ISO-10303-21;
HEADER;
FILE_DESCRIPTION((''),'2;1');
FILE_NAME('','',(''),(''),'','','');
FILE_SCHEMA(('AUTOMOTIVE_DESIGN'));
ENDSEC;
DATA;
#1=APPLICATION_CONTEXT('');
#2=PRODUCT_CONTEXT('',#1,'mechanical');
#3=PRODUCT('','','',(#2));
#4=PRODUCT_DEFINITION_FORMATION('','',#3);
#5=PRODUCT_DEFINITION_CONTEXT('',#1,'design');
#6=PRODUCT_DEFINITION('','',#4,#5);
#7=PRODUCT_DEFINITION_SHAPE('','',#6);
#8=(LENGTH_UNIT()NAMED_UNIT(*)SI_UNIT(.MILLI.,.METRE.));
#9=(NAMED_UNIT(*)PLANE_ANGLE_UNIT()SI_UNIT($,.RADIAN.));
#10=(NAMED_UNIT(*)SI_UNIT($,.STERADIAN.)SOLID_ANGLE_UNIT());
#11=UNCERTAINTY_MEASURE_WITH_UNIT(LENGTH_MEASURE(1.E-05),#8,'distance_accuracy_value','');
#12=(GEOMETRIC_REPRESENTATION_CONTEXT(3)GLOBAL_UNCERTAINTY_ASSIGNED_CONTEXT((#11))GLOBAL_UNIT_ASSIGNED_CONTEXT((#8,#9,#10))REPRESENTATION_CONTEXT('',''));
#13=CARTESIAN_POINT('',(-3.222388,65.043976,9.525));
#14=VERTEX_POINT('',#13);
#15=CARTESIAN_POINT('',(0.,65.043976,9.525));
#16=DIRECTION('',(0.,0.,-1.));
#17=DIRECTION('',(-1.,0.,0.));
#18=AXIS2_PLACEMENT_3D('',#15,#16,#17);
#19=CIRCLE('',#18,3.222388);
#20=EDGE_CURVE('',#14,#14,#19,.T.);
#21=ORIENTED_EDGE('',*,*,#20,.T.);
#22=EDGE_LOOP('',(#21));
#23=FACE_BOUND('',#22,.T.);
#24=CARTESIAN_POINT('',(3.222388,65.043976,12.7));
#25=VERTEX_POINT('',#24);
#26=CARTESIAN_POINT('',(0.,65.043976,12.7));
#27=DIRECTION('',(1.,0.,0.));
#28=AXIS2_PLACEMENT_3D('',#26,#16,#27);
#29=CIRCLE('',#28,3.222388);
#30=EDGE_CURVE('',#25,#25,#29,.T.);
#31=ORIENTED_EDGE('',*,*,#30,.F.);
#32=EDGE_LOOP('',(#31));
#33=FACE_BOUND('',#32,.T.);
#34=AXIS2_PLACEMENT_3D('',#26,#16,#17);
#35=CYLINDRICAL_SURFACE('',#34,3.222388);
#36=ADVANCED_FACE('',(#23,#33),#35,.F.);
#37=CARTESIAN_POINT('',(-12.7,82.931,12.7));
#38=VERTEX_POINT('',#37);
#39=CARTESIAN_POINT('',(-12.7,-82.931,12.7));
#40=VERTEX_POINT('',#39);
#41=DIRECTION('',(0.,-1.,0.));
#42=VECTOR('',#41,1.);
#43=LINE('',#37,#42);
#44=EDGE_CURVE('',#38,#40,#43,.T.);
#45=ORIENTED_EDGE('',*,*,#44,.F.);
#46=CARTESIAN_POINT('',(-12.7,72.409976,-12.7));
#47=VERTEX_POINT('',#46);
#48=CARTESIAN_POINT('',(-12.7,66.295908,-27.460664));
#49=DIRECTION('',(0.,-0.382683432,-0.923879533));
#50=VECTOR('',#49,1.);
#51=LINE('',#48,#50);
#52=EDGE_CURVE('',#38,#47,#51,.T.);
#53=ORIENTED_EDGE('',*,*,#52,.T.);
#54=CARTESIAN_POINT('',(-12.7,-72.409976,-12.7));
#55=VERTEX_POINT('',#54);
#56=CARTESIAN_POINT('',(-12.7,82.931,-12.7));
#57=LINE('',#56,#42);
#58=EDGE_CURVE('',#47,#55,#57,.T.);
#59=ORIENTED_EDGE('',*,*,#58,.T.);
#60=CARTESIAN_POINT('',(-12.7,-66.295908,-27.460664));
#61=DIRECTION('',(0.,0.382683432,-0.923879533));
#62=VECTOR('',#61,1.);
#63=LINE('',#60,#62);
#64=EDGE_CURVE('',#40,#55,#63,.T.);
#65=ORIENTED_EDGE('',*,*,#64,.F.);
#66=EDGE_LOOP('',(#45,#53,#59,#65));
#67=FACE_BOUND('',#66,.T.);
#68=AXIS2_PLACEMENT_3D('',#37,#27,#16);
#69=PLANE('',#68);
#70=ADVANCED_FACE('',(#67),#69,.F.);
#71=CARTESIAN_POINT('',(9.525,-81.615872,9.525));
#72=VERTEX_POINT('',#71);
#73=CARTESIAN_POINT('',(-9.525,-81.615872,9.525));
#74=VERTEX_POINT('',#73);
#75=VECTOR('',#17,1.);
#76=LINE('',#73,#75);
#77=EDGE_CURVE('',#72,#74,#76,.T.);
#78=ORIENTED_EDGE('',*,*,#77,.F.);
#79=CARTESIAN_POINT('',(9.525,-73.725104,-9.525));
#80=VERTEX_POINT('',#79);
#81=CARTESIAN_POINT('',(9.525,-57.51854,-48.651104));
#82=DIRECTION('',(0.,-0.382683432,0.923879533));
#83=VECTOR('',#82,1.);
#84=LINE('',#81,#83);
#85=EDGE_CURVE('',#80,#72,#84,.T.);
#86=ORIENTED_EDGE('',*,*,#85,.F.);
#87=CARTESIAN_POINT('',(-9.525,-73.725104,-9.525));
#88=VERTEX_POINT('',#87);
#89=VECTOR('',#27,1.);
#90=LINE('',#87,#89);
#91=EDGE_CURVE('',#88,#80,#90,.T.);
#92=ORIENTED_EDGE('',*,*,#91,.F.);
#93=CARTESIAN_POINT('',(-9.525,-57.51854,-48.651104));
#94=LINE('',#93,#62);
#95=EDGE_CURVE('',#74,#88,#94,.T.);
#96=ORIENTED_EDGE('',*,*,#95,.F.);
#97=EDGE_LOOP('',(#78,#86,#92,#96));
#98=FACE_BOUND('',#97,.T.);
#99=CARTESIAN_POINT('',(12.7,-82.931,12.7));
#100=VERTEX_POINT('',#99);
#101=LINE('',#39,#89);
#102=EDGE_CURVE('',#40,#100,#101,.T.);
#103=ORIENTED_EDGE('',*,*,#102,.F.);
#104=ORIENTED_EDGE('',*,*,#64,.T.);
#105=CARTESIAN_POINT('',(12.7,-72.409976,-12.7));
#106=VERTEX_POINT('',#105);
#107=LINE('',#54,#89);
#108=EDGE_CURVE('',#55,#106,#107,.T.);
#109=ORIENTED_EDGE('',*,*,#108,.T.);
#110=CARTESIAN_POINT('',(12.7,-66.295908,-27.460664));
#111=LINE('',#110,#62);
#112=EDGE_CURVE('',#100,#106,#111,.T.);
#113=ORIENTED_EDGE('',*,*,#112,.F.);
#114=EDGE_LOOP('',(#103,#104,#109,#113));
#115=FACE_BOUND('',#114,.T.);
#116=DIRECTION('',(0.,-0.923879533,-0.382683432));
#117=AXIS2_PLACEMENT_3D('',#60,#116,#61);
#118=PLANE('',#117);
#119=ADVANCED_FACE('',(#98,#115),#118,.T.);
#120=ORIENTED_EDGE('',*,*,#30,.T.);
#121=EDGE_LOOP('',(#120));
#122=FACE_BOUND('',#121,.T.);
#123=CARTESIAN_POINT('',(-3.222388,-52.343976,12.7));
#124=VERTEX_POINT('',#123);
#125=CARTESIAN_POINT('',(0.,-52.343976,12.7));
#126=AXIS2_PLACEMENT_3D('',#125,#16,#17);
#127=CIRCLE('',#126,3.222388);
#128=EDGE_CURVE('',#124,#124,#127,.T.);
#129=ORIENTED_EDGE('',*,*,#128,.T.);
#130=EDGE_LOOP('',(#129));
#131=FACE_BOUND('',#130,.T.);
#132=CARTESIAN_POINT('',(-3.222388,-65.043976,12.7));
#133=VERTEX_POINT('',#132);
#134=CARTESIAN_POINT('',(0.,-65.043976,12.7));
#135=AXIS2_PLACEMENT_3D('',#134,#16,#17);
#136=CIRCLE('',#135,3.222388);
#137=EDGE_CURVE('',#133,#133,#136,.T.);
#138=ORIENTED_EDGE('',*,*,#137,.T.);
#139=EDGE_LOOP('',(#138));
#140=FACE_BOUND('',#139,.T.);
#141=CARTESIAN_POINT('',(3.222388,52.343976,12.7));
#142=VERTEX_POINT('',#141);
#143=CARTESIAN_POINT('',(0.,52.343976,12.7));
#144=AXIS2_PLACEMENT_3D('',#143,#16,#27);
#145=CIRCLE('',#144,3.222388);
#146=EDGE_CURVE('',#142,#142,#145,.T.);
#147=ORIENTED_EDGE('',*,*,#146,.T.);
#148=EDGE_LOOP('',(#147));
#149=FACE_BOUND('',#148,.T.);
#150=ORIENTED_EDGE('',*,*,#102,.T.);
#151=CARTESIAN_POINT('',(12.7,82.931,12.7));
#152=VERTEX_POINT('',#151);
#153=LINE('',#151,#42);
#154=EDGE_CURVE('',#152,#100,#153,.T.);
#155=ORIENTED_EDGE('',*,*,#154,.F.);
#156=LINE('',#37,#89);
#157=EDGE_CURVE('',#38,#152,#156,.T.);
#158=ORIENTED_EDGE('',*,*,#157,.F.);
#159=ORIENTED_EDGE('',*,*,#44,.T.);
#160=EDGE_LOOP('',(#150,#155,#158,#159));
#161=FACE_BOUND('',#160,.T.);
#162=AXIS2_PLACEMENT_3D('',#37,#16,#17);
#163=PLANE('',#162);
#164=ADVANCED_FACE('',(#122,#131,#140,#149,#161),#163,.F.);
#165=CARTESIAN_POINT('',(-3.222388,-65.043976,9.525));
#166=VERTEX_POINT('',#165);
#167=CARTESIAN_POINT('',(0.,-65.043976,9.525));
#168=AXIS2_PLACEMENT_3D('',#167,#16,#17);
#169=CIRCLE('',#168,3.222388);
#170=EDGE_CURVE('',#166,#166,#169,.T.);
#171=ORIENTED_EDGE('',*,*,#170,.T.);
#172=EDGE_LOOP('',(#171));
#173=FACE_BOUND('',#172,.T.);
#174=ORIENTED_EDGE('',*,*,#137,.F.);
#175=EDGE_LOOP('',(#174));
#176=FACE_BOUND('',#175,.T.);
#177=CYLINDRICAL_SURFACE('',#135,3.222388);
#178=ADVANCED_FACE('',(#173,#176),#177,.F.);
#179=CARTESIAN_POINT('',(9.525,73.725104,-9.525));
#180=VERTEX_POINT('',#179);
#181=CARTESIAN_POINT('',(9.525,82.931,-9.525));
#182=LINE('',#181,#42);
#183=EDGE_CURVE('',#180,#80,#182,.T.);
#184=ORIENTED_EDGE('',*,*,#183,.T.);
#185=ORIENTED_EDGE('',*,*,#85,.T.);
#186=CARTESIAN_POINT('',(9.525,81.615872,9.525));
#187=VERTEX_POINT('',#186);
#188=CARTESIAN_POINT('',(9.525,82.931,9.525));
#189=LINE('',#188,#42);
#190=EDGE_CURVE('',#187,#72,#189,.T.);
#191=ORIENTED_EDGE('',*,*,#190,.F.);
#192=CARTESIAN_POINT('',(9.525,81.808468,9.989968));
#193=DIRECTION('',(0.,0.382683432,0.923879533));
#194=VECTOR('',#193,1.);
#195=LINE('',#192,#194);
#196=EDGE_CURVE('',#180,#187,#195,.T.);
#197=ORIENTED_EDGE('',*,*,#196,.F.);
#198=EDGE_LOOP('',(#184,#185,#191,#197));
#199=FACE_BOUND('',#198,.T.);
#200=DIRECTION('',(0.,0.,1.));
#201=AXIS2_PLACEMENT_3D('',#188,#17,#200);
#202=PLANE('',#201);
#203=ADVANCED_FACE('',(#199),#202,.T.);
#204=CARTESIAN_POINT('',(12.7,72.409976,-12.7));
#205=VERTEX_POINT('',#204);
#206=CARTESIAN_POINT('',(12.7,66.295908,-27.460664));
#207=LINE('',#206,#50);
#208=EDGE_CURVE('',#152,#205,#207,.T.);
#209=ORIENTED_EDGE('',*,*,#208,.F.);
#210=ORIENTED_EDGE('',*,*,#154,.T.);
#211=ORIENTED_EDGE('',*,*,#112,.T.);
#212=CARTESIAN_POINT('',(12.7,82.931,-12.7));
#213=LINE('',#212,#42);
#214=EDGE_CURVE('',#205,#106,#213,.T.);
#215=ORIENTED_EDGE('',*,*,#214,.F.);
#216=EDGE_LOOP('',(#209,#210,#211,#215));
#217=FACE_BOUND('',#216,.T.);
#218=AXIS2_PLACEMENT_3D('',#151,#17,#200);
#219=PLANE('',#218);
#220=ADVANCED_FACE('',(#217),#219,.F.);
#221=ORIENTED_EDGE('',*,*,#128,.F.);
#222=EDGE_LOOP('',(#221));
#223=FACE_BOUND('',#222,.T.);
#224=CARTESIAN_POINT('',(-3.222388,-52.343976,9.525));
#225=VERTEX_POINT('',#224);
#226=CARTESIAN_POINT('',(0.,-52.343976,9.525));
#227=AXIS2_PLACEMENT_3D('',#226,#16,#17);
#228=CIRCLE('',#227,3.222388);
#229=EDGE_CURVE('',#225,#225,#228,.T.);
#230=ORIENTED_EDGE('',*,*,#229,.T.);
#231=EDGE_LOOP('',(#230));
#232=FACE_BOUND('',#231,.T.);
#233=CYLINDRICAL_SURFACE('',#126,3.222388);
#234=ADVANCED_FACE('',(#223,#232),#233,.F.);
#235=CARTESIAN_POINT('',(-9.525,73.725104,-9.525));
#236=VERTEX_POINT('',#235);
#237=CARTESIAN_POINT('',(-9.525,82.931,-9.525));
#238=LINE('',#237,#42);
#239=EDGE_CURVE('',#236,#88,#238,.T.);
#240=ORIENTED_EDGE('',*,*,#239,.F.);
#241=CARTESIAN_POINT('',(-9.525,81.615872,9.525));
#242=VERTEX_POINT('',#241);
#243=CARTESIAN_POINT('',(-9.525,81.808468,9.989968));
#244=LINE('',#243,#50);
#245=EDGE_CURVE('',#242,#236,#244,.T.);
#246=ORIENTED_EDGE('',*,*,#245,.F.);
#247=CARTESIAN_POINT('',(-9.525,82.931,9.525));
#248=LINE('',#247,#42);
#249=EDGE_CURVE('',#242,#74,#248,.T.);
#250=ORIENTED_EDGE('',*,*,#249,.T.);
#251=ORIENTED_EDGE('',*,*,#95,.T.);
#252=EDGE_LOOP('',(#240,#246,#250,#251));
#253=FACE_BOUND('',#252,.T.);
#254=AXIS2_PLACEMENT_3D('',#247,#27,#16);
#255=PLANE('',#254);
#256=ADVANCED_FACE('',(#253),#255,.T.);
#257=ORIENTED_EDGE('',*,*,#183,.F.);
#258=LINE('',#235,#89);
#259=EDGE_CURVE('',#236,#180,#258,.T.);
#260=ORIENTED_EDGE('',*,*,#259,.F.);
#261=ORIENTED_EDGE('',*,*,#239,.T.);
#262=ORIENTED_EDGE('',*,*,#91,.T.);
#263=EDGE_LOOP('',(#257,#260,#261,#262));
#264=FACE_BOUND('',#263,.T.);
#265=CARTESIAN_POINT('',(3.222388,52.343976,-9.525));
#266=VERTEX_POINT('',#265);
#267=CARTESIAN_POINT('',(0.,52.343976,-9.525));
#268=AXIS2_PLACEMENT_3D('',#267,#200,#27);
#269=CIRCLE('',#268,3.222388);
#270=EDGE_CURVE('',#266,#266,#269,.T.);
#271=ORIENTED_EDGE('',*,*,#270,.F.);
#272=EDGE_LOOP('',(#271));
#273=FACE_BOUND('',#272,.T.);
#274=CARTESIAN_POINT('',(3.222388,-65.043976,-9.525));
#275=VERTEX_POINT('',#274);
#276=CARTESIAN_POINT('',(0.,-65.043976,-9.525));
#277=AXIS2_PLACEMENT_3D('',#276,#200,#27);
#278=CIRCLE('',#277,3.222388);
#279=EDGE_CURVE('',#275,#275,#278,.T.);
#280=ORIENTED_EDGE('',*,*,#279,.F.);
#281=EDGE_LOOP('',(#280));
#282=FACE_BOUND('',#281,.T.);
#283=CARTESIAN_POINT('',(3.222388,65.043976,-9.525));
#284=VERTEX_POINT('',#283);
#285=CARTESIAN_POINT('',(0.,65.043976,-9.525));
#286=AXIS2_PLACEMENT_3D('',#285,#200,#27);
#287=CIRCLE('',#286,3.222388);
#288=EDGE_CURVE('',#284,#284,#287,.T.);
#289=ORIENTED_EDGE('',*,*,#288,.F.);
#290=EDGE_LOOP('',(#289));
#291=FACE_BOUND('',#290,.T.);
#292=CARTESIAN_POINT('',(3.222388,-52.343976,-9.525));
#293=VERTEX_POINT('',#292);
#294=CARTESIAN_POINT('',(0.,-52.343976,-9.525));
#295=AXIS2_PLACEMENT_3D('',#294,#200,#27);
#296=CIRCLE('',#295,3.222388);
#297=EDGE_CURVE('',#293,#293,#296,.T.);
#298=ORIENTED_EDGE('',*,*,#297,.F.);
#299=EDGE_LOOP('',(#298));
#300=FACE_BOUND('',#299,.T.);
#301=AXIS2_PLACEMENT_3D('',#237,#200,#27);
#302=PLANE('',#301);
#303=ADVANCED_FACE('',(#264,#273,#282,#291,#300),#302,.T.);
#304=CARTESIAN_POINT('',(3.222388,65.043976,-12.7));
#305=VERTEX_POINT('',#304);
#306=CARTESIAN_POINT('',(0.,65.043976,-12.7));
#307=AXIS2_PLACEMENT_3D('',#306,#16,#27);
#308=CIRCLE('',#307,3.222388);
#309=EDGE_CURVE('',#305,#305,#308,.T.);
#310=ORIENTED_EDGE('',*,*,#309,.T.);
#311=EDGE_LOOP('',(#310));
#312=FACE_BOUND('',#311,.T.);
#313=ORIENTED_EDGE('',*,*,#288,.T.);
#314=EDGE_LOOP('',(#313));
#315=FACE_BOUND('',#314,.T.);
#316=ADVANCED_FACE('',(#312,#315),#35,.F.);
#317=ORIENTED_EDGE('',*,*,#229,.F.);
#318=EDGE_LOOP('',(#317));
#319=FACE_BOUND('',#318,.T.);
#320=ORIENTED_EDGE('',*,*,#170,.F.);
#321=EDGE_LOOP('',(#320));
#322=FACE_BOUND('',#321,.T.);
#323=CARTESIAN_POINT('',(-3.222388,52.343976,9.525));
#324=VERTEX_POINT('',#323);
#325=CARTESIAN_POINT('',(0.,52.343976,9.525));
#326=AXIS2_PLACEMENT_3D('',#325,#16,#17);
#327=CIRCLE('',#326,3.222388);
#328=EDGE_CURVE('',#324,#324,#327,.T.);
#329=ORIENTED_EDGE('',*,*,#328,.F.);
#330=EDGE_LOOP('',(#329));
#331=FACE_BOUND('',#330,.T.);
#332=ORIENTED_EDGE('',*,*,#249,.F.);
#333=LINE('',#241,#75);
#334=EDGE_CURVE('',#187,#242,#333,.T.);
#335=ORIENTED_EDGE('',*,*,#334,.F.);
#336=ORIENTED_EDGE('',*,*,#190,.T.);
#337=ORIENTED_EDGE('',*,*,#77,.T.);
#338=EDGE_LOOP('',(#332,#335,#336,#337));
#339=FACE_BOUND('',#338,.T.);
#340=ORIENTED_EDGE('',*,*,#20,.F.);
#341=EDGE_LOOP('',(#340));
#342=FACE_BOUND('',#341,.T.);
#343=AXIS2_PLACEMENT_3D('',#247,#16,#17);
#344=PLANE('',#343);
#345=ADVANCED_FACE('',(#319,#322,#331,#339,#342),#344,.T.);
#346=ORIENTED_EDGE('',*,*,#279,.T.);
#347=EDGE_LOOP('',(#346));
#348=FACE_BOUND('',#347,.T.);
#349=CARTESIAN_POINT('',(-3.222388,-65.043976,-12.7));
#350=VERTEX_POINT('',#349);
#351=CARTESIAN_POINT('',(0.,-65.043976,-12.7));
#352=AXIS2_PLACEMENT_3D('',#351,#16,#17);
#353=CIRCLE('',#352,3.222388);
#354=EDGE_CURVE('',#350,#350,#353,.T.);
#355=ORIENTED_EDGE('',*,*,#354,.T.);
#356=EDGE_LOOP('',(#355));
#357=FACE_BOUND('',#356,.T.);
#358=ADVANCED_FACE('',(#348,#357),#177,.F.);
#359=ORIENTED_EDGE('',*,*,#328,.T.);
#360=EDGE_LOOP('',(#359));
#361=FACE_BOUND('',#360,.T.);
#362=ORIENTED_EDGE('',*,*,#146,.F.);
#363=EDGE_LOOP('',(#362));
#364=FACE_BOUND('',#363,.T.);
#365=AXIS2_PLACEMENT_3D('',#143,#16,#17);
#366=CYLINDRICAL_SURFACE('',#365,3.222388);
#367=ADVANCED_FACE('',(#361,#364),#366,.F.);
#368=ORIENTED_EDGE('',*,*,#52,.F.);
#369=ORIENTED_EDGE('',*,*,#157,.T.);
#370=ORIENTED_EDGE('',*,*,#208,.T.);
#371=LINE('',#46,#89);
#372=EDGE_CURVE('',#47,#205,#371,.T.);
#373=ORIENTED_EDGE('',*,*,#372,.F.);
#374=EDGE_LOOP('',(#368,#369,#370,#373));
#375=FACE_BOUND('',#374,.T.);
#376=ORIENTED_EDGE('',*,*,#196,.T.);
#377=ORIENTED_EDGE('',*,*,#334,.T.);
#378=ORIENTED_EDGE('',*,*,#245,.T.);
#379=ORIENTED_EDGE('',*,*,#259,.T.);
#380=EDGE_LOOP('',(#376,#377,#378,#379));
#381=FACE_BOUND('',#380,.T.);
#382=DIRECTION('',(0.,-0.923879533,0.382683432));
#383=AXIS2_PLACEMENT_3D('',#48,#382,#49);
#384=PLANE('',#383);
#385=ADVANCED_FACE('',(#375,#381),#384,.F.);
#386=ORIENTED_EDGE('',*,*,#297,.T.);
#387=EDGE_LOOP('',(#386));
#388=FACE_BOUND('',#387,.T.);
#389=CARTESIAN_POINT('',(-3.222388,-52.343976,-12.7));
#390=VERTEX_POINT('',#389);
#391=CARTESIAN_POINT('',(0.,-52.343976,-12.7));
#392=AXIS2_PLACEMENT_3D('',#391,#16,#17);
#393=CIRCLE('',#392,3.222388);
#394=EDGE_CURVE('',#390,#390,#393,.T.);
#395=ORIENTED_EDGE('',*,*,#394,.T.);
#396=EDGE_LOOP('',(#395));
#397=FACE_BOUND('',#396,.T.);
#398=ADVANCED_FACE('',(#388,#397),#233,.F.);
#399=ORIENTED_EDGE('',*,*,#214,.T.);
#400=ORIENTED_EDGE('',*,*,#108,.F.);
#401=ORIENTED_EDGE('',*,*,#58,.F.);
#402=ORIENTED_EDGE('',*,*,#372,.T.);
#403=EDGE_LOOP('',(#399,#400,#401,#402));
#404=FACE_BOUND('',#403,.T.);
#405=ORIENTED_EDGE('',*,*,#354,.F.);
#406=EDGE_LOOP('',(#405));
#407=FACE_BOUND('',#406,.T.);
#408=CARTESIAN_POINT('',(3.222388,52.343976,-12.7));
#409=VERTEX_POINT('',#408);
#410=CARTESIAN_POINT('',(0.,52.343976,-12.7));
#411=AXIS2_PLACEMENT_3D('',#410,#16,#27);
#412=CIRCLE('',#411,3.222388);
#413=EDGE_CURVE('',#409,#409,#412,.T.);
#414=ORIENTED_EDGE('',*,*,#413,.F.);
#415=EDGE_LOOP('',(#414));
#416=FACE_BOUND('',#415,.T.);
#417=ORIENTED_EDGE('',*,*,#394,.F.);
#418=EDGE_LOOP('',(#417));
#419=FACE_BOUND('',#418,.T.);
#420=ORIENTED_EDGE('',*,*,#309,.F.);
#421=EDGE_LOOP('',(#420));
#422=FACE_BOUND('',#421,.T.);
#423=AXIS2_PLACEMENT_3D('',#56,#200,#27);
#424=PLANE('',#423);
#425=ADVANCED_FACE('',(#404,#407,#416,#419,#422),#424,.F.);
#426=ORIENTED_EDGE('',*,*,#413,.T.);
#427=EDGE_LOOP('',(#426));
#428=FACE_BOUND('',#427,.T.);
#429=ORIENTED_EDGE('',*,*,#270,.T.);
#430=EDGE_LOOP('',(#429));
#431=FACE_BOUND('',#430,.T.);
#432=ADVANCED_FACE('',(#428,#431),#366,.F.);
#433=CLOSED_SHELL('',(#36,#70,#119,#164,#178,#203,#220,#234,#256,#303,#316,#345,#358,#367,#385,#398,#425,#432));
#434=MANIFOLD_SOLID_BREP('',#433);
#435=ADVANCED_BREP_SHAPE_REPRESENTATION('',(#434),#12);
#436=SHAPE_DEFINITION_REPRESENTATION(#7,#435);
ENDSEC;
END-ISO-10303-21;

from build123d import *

# Parameters (mm, degrees)
SKETCH1_W           = 25.4
SKETCH1_H           = 25.4
SKETCH1_W_2         = 19.05
SKETCH1_H_2         = 19.05
BOSS_EXTRUDE1_DEPTH = 82.931
CUT_EXTRUDE1_DEPTH  = 88.658432344
SKETCH3_R           = 3.22238806
CUT_EXTRUDE2_DEPTH  = 88.658432344


with BuildPart() as part:
    # Sketch1 → Boss-Extrude1 (new, symmetric)
    with BuildSketch(Plane(origin=(0, 0, 0), x_dir=(1, 0, 0), z_dir=(0, 1, 0))):
        Rectangle(SKETCH1_W, SKETCH1_H)
        Rectangle(SKETCH1_W_2, SKETCH1_H_2, mode=Mode.SUBTRACT)
    extrude(amount=BOSS_EXTRUDE1_DEPTH, both=True)

    # Sketch2 → Cut-Extrude1 (cut, through all)
    with BuildSketch(Plane(origin=(12.7, 0, 0), x_dir=(0, 0, -1), z_dir=(1, 0, 0))):
        Polygon((12.7, 82.931), (-12.7, 82.931), (12.7, 72.409975516), align=None)
        Polygon((12.7, -72.409975516), (-12.7, -82.931), (12.7, -82.931), align=None)
    extrude(amount=-CUT_EXTRUDE1_DEPTH, mode=Mode.SUBTRACT)

    # Sketch3 → Cut-Extrude2 (cut, through all)
    with BuildSketch(Plane(origin=(0, 0, -12.7), x_dir=(-1, 0, 0), z_dir=(0, 0, -1))):
        with Locations((0, -65.043975516)):
            Circle(SKETCH3_R)
        with Locations((0, -52.343975516)):
            Circle(SKETCH3_R)
        with Locations((0, 65.043975516)):
            Circle(SKETCH3_R)
        with Locations((0, 52.343975516)):
            Circle(SKETCH3_R)
    extrude(amount=-CUT_EXTRUDE2_DEPTH, mode=Mode.SUBTRACT)


solid = part.part
